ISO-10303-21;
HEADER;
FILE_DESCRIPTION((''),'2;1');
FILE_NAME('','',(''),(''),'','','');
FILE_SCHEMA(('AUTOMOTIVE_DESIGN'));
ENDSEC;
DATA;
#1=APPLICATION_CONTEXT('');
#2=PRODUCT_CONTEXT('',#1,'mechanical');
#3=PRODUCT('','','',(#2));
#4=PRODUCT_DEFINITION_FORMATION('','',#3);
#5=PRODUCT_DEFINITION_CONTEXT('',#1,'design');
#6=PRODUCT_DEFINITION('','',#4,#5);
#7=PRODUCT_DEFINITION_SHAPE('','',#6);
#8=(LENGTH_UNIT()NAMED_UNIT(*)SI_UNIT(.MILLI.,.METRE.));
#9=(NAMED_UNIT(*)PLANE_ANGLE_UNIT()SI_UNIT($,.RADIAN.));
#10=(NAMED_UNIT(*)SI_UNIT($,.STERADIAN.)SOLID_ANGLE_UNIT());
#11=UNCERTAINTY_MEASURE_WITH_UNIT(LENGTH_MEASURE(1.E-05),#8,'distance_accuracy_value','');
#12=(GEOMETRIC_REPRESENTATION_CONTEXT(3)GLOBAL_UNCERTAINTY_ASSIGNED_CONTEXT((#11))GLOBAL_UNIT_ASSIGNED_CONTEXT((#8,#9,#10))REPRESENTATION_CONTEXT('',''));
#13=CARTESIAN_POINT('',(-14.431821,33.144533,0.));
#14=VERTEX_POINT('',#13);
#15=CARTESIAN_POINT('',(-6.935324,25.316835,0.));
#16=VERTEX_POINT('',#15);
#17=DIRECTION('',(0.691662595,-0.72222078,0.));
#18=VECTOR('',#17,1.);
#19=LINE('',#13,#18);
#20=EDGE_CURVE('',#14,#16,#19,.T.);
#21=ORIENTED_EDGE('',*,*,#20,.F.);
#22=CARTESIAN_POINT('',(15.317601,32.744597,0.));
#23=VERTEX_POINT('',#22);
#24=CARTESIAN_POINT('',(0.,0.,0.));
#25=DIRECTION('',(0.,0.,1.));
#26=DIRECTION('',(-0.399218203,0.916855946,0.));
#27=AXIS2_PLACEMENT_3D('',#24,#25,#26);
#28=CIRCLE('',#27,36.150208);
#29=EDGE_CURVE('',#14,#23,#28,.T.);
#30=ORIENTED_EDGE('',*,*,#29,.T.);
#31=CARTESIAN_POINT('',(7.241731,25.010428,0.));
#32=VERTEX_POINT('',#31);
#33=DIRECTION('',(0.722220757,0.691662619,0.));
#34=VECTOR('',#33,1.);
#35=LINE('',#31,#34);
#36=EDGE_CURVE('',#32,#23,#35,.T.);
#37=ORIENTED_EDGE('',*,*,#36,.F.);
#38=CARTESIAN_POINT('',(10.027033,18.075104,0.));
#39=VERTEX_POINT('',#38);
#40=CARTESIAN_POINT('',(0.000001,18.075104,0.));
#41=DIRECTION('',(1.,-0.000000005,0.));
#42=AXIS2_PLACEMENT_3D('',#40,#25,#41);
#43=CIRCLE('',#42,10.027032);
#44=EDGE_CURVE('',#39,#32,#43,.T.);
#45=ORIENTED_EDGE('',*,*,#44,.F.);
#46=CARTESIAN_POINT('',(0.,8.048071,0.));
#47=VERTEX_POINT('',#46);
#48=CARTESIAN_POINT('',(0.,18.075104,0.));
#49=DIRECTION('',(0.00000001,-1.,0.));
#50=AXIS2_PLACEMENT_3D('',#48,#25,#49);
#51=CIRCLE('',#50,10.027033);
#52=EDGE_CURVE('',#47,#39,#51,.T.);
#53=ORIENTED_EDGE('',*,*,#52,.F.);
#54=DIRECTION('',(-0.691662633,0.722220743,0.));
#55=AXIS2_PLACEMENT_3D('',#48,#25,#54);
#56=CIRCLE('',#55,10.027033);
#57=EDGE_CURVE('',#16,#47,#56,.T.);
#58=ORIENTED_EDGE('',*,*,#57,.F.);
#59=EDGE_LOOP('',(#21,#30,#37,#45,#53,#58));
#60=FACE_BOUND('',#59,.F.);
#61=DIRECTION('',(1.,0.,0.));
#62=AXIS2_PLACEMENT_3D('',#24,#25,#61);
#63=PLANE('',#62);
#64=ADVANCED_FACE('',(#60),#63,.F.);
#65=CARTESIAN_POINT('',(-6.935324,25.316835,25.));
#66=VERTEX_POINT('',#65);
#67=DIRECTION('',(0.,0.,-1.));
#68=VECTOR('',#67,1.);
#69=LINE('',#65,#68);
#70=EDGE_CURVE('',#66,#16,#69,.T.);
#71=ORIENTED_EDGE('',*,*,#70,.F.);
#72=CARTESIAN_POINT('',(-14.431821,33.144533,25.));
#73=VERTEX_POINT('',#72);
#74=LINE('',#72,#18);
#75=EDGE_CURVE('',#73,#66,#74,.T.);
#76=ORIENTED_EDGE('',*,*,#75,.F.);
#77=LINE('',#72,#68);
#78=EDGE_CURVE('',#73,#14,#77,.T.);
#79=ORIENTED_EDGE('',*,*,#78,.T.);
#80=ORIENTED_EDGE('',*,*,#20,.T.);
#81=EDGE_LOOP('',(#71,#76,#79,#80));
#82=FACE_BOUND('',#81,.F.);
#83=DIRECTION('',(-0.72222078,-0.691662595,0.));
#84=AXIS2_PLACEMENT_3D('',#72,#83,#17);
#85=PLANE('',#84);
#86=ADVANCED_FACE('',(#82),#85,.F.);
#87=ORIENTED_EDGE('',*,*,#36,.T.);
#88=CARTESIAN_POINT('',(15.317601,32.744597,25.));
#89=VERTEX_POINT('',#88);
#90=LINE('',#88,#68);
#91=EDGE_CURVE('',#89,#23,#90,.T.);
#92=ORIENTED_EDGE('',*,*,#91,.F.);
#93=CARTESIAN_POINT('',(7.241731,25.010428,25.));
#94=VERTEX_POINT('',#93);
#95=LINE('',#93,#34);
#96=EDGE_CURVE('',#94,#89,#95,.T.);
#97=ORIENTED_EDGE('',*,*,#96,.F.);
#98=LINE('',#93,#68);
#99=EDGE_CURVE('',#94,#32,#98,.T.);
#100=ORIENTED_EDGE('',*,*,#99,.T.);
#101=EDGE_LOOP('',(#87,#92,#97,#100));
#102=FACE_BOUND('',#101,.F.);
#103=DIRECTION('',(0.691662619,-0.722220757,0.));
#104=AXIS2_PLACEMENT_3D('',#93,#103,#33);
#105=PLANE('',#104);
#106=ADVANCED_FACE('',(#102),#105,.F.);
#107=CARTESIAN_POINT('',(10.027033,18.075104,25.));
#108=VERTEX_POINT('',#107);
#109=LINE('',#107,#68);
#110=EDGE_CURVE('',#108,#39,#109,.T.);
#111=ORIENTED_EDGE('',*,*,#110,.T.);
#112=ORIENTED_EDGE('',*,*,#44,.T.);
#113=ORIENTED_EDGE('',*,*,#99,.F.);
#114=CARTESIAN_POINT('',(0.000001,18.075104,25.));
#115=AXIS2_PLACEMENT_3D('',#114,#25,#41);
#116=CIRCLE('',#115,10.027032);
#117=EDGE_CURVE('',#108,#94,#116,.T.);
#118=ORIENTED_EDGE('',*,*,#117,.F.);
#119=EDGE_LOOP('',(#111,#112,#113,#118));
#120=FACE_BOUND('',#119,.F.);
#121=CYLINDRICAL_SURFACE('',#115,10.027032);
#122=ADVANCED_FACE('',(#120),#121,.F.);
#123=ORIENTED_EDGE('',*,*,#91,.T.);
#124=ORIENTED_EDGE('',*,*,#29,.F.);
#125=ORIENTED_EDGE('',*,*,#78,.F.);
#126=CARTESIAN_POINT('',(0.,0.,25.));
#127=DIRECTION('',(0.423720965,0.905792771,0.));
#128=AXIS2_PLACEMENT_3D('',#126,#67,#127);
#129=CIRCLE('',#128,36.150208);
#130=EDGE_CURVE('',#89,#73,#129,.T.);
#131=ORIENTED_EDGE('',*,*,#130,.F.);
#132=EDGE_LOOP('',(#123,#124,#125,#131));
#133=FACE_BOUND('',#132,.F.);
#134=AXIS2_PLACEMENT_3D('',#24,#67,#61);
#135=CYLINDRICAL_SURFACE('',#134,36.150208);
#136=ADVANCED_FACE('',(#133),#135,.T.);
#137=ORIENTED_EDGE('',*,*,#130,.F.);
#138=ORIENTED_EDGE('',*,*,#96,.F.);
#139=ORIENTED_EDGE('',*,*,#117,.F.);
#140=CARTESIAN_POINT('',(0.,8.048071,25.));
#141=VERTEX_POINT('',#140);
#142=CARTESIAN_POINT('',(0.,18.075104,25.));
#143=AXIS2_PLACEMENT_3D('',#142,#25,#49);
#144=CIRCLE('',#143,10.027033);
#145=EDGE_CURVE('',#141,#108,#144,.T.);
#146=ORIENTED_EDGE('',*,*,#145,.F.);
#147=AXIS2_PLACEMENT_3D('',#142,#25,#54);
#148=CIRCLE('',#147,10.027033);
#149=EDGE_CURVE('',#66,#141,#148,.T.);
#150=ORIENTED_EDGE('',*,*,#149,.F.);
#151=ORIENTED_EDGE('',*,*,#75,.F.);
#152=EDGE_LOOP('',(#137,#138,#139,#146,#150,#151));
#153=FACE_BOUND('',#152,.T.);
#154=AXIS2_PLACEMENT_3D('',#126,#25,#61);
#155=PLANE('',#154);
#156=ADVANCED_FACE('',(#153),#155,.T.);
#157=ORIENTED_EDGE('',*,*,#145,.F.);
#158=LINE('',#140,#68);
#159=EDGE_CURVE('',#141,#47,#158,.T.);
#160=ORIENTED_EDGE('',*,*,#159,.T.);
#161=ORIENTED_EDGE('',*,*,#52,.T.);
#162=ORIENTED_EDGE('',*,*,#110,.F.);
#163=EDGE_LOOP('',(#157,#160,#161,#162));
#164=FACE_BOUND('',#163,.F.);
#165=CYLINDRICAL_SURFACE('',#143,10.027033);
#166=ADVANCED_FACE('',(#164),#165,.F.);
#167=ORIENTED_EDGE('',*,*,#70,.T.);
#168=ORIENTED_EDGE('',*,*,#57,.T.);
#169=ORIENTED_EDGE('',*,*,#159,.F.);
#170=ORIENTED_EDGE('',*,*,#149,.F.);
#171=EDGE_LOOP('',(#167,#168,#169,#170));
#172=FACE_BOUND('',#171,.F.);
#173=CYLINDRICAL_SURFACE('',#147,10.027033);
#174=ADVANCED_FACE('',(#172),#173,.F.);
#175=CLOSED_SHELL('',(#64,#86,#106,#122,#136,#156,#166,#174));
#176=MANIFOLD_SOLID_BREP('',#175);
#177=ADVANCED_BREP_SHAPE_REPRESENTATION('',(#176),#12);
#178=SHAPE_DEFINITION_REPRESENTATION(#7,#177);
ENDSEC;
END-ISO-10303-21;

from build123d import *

# Parameters (mm, degrees)
F0_R     = 36.150208
F1_DEPTH = 25
F3_DEPTH = 25


with BuildPart() as f1:
    # F0 (on Top) → F1 (new body)
    with BuildSketch(Plane.XY):
        Circle(F0_R)
    extrude(amount=F1_DEPTH)

    # F2 (on face) → F3 (cut)
    with BuildSketch(Plane.XY.offset(25)):
        with BuildLine():
            Line((-14.431821, 33.144533), (-6.935324, 25.316835))
            ThreePointArc((-6.935324, 25.316835), (-3.736864, 27.379792), (0, 28.102137))
            Line((0, 28.102137), (0, 36.150208))
            ThreePointArc((0, 36.150208), (-7.370745, 35.390813), (-14.431821, 33.144533))
        make_face()
        with BuildLine():
            Line((0, 36.150208), (0, 28.102137))
            ThreePointArc((0, 28.102137), (3.937046, 27.296874), (7.241731, 25.010428))
            Line((7.241731, 25.010428), (15.317601, 32.744597))
            ThreePointArc((15.317601, 32.744597), (7.845812, 35.288536), (0, 36.150208))
        make_face()
        with BuildLine():
            Line((-6.935324, 25.316835), (0, 18.075104))
            Line((0, 18.075104), (0, 28.102137))
            ThreePointArc((0, 28.102137), (-3.736864, 27.379792), (-6.935324, 25.316835))
        make_face()
        with BuildLine():
            Line((0, 28.102137), (0, 18.075104))
            Line((0, 18.075104), (7.241731, 25.010428))
            ThreePointArc((7.241731, 25.010428), (3.937046, 27.296874), (0, 28.102137))
        make_face()
        with BuildLine():
            Line((0, 18.075104), (0, 8.048071))
            ThreePointArc((0, 8.048071), (7.090183, 10.984921), (10.027033, 18.075104))
            ThreePointArc((10.027033, 18.075104), (9.304689, 21.811968), (7.241731, 25.010428))
            Line((7.241731, 25.010428), (0, 18.075104))
        make_face()
        with BuildLine():
            ThreePointArc((-6.935324, 25.316835), (-9.304689, 14.33824), (0, 8.048071))
            Line((0, 8.048071), (0, 18.075104))
            Line((0, 18.075104), (-6.935324, 25.316835))
        make_face()
    extrude(amount=-F3_DEPTH, mode=Mode.SUBTRACT)


solid = f1.part
